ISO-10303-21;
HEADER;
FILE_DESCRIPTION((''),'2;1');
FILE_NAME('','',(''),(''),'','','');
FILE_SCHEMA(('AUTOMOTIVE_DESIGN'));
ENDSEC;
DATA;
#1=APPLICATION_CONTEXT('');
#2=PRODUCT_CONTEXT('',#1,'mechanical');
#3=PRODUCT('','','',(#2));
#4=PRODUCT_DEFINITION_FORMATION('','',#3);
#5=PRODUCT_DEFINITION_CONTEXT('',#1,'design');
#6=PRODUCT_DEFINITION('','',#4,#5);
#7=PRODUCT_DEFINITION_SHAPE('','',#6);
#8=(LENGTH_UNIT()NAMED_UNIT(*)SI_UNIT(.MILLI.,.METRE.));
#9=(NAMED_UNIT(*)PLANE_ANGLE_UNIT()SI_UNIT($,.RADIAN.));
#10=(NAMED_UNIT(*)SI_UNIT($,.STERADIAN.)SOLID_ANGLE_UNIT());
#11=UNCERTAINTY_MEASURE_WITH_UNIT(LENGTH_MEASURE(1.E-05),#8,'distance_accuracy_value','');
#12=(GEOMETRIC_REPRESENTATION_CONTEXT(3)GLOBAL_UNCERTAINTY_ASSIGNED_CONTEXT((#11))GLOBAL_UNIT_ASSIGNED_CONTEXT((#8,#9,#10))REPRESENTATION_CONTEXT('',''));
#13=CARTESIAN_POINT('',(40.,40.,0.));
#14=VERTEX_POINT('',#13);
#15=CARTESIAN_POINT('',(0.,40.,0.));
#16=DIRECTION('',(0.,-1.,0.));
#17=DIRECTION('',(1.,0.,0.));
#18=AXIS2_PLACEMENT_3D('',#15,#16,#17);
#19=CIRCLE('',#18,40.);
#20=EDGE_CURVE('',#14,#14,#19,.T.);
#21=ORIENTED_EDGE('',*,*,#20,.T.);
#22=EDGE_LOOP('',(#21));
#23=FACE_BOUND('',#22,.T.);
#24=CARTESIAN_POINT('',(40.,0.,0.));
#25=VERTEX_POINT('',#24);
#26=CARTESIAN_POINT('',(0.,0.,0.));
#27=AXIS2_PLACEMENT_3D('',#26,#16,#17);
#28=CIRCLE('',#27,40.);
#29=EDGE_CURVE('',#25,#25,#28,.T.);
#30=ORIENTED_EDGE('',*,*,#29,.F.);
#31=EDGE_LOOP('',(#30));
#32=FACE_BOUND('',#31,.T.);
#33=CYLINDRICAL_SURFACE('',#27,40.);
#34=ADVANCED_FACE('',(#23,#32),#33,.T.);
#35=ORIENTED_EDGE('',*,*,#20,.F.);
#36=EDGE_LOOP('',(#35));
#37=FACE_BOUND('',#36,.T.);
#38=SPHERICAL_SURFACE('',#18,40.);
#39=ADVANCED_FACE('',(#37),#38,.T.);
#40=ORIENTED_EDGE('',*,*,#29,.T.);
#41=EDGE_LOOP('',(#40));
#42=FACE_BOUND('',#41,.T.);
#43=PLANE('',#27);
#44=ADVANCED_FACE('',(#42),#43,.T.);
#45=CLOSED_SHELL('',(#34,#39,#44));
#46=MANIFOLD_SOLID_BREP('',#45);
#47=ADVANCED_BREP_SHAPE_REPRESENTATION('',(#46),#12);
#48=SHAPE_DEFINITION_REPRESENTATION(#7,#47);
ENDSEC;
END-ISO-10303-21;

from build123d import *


with BuildPart() as part:
    # Sketch1 → Revolve1 (revolve)
    with BuildSketch(Plane.XY):
        with BuildLine():
            Line((0, 0), (40, 0))
            Line((40, 0), (40, 40))
            ThreePointArc((40, 40), (28.284271247, 68.284271247), (0, 80))
            Line((0, 80), (0, 0))
        make_face()
    revolve(axis=Axis((0, 0, 0), (0, 1, 0)))


solid = part.part
